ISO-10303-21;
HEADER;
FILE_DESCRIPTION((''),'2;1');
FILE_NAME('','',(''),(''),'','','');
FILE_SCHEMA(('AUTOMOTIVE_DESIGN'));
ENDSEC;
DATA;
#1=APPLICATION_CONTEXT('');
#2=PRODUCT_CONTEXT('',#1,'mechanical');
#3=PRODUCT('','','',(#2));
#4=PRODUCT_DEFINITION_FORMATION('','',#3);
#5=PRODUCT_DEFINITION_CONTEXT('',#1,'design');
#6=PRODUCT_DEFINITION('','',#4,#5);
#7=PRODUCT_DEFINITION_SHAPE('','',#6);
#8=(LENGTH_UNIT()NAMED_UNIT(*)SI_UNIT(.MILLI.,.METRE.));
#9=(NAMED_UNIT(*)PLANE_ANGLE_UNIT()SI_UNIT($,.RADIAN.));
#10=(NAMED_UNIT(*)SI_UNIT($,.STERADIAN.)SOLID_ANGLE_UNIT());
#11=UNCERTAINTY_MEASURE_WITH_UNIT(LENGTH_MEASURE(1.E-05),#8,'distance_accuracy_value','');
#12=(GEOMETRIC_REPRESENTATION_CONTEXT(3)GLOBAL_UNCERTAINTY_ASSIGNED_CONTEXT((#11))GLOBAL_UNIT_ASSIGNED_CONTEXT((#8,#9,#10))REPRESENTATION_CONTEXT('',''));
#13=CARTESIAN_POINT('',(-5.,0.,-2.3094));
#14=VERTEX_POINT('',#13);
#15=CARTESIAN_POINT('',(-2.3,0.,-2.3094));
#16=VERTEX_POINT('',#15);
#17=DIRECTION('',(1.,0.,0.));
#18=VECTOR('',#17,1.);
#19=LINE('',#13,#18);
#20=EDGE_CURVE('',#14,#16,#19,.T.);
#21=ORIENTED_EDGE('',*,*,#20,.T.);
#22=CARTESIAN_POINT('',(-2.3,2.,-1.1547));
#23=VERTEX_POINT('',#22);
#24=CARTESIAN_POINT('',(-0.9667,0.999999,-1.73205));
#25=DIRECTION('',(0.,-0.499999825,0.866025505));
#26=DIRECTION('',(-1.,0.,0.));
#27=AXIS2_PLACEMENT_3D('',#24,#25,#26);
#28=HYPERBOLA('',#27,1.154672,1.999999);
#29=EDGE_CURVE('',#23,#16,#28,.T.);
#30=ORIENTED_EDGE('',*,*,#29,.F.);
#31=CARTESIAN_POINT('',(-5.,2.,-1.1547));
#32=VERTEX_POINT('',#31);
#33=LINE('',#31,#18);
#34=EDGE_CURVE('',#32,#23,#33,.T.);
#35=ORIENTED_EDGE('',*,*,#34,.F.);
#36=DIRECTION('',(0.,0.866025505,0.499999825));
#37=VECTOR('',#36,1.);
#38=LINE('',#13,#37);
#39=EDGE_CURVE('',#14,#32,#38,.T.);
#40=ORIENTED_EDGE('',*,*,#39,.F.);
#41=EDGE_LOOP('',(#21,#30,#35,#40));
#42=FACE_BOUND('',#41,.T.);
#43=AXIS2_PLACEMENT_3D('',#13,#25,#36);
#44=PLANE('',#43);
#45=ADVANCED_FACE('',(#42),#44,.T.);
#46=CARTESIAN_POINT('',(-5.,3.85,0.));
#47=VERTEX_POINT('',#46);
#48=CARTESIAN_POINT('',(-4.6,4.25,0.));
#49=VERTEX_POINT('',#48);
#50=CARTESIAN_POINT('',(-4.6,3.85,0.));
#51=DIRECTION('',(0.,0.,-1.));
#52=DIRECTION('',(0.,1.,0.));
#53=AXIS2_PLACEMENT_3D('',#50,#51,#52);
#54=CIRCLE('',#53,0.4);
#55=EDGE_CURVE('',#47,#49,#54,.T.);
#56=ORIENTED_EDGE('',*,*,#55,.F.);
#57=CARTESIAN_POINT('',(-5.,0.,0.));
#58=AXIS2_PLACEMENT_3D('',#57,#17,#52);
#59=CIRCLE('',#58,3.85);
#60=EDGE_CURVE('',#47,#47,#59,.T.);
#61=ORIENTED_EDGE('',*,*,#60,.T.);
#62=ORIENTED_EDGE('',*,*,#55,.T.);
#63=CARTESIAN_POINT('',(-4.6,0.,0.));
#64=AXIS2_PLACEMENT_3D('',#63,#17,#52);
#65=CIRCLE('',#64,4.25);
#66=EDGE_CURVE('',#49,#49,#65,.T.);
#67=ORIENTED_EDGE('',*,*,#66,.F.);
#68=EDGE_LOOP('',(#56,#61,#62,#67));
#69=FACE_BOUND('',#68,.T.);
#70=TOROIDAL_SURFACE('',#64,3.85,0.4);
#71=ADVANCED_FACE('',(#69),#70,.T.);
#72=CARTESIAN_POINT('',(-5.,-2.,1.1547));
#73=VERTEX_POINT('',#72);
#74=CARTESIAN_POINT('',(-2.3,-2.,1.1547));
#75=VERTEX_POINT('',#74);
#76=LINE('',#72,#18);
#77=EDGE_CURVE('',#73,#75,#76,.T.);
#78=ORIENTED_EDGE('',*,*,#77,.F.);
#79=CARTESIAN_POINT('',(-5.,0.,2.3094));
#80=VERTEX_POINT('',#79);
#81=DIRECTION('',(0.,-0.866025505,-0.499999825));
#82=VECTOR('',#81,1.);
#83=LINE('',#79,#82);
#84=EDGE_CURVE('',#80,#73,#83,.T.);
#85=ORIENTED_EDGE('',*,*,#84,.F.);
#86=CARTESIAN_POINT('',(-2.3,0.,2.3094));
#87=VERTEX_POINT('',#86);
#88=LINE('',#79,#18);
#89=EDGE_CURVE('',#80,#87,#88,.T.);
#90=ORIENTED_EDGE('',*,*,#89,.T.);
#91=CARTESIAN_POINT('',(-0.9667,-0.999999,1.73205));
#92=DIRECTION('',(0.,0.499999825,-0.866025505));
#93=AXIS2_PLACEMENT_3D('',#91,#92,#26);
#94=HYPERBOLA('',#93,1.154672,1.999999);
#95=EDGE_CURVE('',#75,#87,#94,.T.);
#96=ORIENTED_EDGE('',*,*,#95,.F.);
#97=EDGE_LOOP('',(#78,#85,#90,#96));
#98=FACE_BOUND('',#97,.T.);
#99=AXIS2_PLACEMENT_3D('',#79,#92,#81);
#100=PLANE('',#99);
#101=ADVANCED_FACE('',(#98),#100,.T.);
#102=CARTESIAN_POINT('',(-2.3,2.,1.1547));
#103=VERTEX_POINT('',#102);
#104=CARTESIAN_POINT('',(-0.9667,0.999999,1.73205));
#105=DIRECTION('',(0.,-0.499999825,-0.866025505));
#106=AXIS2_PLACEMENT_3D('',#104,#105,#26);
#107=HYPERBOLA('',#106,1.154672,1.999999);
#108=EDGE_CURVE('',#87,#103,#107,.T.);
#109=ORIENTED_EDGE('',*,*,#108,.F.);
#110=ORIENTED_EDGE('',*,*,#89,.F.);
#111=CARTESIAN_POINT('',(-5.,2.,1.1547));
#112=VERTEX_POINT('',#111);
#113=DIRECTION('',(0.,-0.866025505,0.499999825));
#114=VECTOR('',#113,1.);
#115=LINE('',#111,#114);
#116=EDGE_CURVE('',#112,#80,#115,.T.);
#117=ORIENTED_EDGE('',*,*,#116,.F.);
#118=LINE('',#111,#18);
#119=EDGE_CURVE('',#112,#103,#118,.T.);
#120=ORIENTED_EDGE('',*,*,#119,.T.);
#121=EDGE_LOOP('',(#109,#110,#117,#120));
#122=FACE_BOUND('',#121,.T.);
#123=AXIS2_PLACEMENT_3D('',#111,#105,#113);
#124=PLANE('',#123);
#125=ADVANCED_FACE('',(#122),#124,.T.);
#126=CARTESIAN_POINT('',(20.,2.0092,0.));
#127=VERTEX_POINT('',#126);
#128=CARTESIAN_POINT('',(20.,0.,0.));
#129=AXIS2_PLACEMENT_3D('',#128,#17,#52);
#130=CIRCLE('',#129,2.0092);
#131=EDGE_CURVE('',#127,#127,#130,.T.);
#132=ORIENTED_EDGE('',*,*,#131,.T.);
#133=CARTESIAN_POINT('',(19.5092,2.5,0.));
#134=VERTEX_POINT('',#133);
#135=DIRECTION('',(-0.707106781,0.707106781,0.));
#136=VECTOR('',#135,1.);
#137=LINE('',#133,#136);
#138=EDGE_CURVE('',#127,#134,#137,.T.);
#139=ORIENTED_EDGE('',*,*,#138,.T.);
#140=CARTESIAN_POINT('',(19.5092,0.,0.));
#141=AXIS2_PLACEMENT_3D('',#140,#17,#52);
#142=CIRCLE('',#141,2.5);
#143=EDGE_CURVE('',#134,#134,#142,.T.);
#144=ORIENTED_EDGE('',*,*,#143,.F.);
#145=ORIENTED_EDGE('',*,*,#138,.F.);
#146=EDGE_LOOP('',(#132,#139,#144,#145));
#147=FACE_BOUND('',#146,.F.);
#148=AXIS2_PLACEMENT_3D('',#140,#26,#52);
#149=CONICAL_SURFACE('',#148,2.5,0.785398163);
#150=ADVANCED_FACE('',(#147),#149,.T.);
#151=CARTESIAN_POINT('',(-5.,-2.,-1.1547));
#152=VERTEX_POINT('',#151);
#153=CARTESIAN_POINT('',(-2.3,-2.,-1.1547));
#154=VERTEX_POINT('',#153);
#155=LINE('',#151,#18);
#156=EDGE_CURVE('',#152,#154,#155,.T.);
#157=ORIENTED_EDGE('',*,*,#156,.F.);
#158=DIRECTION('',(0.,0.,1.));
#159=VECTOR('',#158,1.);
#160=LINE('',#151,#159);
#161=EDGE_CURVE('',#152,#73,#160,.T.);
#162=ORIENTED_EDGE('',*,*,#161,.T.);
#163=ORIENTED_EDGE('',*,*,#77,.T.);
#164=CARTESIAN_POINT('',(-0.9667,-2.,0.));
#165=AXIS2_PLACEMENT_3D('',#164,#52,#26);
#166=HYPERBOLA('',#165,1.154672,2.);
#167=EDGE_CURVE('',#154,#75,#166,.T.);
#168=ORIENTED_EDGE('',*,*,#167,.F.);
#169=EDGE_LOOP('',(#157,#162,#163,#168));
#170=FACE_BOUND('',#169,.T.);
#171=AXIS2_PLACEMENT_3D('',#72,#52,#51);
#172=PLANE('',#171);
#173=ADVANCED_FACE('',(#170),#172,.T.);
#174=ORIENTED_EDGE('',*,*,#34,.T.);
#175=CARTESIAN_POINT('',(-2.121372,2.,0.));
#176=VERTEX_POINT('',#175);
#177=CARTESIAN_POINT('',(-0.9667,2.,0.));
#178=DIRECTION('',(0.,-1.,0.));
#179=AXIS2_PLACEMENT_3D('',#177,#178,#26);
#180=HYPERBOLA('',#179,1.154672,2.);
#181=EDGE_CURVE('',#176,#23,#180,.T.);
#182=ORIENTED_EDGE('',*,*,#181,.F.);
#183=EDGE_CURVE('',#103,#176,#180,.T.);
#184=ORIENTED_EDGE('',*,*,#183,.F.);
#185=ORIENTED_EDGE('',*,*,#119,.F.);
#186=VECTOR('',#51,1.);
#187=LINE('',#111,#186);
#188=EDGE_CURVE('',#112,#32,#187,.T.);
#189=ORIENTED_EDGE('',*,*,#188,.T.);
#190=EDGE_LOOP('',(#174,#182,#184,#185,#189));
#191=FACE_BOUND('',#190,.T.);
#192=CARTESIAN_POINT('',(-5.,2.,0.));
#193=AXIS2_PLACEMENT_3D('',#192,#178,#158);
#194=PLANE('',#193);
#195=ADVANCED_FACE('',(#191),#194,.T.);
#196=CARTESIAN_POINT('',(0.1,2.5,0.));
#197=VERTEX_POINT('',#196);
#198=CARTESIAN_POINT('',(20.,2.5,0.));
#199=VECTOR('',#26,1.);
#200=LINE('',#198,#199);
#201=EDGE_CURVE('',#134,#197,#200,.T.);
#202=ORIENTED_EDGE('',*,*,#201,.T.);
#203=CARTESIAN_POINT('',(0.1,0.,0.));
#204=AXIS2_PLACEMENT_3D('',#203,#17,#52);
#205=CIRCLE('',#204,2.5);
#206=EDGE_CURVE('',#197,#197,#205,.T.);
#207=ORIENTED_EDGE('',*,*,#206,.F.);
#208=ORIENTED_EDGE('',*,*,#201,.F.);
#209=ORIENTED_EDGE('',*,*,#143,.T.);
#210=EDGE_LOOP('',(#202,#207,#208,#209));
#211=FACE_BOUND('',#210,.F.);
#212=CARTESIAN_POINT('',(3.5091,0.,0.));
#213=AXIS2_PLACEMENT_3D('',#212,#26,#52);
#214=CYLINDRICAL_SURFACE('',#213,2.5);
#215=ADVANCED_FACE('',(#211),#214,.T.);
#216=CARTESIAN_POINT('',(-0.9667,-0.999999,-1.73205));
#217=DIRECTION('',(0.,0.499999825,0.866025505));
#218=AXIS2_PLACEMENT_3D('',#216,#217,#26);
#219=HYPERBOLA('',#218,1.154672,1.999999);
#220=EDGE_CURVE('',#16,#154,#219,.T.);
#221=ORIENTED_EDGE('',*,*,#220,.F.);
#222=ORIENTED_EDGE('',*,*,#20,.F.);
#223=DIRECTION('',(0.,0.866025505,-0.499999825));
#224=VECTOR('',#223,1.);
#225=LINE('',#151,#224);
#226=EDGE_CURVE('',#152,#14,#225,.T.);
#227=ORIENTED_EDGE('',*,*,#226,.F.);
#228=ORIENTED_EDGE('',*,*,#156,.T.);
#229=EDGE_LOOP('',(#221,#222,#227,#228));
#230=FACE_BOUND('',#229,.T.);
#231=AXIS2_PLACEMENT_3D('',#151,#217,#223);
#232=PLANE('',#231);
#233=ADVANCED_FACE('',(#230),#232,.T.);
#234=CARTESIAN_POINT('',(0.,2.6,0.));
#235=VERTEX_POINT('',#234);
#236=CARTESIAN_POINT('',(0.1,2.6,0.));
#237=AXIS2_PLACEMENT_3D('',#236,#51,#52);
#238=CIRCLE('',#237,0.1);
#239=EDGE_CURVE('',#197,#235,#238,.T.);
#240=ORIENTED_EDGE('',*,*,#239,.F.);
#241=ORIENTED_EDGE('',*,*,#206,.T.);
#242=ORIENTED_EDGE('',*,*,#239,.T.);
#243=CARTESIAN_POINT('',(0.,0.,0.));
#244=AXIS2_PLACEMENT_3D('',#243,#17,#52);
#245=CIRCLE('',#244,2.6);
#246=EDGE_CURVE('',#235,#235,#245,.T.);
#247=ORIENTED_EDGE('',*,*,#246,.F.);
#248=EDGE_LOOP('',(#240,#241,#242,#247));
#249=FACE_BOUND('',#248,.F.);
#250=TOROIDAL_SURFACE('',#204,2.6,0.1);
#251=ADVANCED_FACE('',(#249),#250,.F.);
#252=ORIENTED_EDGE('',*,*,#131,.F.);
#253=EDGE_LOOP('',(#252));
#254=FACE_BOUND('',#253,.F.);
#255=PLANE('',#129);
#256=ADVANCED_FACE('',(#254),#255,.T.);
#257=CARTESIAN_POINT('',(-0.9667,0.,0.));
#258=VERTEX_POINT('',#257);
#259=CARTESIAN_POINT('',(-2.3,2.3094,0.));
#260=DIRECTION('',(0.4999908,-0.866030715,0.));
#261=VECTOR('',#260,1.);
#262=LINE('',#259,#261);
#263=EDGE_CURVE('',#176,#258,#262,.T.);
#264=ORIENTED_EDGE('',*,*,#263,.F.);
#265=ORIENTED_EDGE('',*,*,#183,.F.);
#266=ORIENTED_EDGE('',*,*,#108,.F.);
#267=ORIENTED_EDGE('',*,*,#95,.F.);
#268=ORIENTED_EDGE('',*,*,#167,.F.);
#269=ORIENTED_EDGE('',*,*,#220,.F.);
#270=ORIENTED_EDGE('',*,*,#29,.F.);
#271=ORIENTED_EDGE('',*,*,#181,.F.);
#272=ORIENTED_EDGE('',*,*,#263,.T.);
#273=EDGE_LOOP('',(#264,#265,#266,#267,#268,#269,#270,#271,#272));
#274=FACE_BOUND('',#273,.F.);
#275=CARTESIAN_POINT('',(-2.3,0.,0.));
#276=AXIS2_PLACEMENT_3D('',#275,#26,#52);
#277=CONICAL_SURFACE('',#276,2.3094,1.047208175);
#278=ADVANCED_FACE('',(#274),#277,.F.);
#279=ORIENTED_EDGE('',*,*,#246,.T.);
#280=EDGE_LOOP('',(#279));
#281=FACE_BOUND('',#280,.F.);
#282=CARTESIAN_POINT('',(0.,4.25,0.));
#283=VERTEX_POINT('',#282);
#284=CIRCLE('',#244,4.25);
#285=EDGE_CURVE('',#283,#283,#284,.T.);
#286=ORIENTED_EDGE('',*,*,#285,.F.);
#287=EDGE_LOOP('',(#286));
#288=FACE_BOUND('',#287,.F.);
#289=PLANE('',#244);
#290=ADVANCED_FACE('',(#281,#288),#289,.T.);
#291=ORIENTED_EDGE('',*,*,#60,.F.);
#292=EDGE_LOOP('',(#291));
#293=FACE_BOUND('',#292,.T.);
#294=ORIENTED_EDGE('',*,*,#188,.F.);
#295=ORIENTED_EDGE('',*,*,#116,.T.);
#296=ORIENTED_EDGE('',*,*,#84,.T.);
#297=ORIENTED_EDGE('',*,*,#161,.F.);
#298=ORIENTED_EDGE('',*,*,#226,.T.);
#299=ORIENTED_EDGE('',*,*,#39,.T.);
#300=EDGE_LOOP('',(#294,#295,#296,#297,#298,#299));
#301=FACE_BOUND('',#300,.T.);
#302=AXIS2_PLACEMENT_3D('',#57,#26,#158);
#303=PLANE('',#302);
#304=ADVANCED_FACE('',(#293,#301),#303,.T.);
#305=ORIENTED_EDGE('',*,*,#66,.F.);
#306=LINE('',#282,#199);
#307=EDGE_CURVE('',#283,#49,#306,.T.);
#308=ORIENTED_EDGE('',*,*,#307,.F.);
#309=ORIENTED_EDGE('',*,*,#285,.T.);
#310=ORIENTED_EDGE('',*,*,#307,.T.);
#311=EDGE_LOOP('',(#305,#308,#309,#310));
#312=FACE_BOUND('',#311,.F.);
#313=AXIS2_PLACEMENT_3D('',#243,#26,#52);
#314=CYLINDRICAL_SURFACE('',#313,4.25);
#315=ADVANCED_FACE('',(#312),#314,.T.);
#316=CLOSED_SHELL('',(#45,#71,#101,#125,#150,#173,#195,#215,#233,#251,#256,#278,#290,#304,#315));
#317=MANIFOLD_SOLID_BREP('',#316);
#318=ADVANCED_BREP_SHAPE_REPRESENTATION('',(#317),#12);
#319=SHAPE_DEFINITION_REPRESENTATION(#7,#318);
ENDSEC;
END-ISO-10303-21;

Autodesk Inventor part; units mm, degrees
ref_plane "YZ Plane" through (0, 0, 0) normal (1, 0, 0) x (0, 1, 0)
ref_plane "XZ Plane" through (0, 0, 0) normal (0, 1, 0) x (-1, 0, 0)
sketch "Szkic1" plane through (0, 0, 0) normal (0, 0, 1) x (1, 0, 0)
  line L0 (-0.9667, 0) -> (20, 0)
  line L1 (20, 0) -> (20, 2.5)
  line L2 (20, 2.5) -> (4, 2.5)
  line L3 (4, 2.5) -> (3.5091, 2.5)
  line L4 (3.5091, 2.5) -> (0, 2.5)
  line L5 (0, 2.5) -> (0, 4.25)
  line L6 (0, 4.25) -> (-5, 4.25)
  line L7 (-5, 4.25) -> (-5, 2.3094)
  line L8 (-5, 2.3094) -> (-2.3, 2.3094)
  line L9 (-2.3, 2.3094) -> (-0.9667, 0)
  line L10 (-10, 0) -> (25, 0) projected
  line L11 (0, -0.85) -> (0, 5.1) projected
  line L12 (4, 2.5) -> (0, 2.5) construction
  dimension "d1" = 16
  dimension "d2" = 0.4909
  dimension "d3" = 5
  dimension "d4" = 2.7
  dimension "d5" = 60
  dimension "d6" = 5
  dimension "d7" = 5
  dimension "d8" = 4.6188
  dimension "d9" = 8.5
  dimension "d26" = 20
revolve "Bryła" add sketch "Szkic1" angle 360 about axis through (-0.9667, 0, 0) along (1, 0, 0)
sketch "Szkic2" plane through (-5, 0, 0) normal (-1, 0, 0) x (0, 0, 1)
  circle A0 centre (0, 0) radius 2.3094 projected
  line L0 (0, -5.95) -> (0, 5.95) projected
  line L1 (-5.95, 0) -> (5.95, 0) projected
  line L2 (2.3094, 0) -> (1.1547, -2)
  line L3 (1.1547, -2) -> (-1.1547, -2)
  line L4 (-1.1547, -2) -> (-2.3094, 0)
  line L5 (-2.3094, 0) -> (-1.1547, 2)
  line L6 (-1.1547, 2) -> (1.1547, 2)
  line L7 (1.1547, 2) -> (2.3094, 0)
extrude "Szczelina" add sketch "Szkic2" against normal up to next contours L7 A0 | A0 L2 | L6 L0 A0 | A0 L0 L3 | L0 L6 A0 | A0 L3 L0 | L4 A0 | A0 L5
fillet "Zaokrąglenie1" radius 0.4 1 edges at (-5, -4.25, 0)
thread "Gwint" size "M5x0.8" class "6g" standard "ISO Metric profile" length 16
chamfer "Faza1" distance 0.4908 distance2 0.4908 1 edges at (20, -2.5, 0) measured on face at (20, -0.7379, -0.3873)
ref_plane "Work Plane1" through (29, 0, 0) normal (0, -1, 0) x (1, 0, 0)
fillet "Fillet2" radius 0.1 1 edges at (0, -2.5, 0)
equation "\"d1\" = GEL"
equation "\"d3\" = KOH"
equation "\"d4\" = INTI"
equation "\"d6\" = GD"
equation "\"d7\" = BDM"
equation "\"d8\" = 1.1547 * SW"
equation "\"d9\" = KOD"
equation "\"d26\" = NLG"
equation "\"d30\" = R"
equation "\"d17\" = RR"
equation "\"d13\" = GEL"
equation "\"d15\" = -0.5 * SPD + 0.5 * GD"
equation "\"d16\" = GUL"
equation "\"GD\" = NND"
equation "\"NLG\" = 20"
equation "\"GEL\" = 16"
equation "\"KOD\" = 8.5"
equation "\"KOH\" = NND"
equation "\"INTI\" = 2.7"
equation "\"GAL\" = 0.61345 * PTC"
equation "\"GUL\" = 0.61345 * PTC"
equation "\"BDM\" = NND"
equation "\"SW\" = 4"
equation "\"RR\" = 0.4"
equation "\"SPD\" = NND - 1.2269 * PTC"
equation "\"R\" = 0.1"
equation "\"TOA\" = 30deg"
equation "\"GD1\" = THREADDIA - 1.2269 * PTC"
equation "\"THREADDIA\" = 5"
equation "\"FAWI\" = 45deg"
equation "\"PTC\" = 0.8"
equation "\"NND\" = 5"
equation "\"E0\" = 1.155 * SW"
properties part number "CNS 3932 - M 5 x 20" material "Stal, miękka"
